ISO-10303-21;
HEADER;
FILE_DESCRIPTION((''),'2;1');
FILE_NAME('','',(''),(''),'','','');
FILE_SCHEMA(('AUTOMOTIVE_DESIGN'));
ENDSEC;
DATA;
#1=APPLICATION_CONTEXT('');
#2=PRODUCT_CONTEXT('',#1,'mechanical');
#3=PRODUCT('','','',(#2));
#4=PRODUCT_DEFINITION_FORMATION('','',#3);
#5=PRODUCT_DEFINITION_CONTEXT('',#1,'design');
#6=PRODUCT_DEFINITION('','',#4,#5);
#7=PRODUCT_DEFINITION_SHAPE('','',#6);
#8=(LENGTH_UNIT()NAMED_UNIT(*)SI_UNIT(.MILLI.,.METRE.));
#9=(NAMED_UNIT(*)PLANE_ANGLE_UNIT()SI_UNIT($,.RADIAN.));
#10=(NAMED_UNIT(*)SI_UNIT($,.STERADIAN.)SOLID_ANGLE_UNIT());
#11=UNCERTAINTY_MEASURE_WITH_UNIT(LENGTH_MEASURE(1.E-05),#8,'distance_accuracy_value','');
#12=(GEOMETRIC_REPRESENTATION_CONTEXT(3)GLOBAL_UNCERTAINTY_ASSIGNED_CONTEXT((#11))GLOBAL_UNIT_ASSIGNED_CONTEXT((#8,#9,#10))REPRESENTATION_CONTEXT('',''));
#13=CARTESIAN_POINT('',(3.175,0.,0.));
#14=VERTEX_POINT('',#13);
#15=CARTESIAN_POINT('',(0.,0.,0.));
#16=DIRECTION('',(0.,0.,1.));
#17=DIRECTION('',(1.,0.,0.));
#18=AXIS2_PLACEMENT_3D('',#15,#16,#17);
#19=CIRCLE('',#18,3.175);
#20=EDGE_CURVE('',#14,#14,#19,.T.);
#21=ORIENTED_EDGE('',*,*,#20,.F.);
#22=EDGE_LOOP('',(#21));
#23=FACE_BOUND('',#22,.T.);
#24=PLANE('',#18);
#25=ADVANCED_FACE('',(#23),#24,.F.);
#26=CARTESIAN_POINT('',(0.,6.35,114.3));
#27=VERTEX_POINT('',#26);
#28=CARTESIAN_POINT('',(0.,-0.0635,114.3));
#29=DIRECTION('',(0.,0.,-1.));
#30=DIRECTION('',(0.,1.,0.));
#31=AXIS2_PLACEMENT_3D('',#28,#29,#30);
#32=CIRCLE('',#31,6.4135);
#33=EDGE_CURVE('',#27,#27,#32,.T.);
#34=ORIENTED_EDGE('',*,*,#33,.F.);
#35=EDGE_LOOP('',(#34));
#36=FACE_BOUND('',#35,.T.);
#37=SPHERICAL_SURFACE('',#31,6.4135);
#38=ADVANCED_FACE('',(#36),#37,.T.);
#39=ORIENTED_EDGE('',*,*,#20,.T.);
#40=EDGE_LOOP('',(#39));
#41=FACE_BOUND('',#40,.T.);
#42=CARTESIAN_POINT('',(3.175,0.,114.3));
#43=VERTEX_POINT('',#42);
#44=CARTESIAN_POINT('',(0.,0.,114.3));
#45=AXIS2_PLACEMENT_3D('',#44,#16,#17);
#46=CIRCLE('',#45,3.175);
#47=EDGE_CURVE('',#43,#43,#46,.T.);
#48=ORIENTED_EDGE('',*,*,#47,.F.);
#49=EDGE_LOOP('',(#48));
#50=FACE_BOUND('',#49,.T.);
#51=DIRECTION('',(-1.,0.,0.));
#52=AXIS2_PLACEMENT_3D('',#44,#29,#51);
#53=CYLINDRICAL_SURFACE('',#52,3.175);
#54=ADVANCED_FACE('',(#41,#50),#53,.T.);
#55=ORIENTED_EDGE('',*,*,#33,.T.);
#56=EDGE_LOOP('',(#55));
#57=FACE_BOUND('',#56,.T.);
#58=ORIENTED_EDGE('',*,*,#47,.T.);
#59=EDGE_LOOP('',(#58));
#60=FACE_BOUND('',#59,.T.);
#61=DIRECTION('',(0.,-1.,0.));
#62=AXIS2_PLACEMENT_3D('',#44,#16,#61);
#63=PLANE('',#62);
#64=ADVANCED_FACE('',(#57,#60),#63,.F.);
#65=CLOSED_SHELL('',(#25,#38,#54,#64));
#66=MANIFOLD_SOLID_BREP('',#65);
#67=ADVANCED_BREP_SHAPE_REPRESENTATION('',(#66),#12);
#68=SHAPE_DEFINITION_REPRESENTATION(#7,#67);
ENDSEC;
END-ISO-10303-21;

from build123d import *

# Parameters (mm, degrees)
SKETCH1_R           = 3.175
BOSS_EXTRUDE1_DEPTH = 114.3


with BuildPart() as part:
    # Sketch1 → Boss-Extrude1 (new body)
    with BuildSketch(Plane.XY):
        Circle(SKETCH1_R)
    extrude(amount=BOSS_EXTRUDE1_DEPTH)

    # Sketch3 one side → Revolve1 (revolve)
    with BuildSketch(Plane(origin=(0, 0, 0), x_dir=(0, 0, -1), z_dir=(1, 0, 0))):
        with BuildLine():
            ThreePointArc((-120.7135, -0.0635), (-118.835029341, -4.598529341), (-114.3, -6.477))
            Line((-114.3, -6.477), (-114.3, -0.0635))
            Line((-114.3, -0.0635), (-120.7135, -0.0635))
        make_face()
    revolve(axis=Axis((0, -0.0635, 114.3), (0, 0, 1)))


solid = part.part
